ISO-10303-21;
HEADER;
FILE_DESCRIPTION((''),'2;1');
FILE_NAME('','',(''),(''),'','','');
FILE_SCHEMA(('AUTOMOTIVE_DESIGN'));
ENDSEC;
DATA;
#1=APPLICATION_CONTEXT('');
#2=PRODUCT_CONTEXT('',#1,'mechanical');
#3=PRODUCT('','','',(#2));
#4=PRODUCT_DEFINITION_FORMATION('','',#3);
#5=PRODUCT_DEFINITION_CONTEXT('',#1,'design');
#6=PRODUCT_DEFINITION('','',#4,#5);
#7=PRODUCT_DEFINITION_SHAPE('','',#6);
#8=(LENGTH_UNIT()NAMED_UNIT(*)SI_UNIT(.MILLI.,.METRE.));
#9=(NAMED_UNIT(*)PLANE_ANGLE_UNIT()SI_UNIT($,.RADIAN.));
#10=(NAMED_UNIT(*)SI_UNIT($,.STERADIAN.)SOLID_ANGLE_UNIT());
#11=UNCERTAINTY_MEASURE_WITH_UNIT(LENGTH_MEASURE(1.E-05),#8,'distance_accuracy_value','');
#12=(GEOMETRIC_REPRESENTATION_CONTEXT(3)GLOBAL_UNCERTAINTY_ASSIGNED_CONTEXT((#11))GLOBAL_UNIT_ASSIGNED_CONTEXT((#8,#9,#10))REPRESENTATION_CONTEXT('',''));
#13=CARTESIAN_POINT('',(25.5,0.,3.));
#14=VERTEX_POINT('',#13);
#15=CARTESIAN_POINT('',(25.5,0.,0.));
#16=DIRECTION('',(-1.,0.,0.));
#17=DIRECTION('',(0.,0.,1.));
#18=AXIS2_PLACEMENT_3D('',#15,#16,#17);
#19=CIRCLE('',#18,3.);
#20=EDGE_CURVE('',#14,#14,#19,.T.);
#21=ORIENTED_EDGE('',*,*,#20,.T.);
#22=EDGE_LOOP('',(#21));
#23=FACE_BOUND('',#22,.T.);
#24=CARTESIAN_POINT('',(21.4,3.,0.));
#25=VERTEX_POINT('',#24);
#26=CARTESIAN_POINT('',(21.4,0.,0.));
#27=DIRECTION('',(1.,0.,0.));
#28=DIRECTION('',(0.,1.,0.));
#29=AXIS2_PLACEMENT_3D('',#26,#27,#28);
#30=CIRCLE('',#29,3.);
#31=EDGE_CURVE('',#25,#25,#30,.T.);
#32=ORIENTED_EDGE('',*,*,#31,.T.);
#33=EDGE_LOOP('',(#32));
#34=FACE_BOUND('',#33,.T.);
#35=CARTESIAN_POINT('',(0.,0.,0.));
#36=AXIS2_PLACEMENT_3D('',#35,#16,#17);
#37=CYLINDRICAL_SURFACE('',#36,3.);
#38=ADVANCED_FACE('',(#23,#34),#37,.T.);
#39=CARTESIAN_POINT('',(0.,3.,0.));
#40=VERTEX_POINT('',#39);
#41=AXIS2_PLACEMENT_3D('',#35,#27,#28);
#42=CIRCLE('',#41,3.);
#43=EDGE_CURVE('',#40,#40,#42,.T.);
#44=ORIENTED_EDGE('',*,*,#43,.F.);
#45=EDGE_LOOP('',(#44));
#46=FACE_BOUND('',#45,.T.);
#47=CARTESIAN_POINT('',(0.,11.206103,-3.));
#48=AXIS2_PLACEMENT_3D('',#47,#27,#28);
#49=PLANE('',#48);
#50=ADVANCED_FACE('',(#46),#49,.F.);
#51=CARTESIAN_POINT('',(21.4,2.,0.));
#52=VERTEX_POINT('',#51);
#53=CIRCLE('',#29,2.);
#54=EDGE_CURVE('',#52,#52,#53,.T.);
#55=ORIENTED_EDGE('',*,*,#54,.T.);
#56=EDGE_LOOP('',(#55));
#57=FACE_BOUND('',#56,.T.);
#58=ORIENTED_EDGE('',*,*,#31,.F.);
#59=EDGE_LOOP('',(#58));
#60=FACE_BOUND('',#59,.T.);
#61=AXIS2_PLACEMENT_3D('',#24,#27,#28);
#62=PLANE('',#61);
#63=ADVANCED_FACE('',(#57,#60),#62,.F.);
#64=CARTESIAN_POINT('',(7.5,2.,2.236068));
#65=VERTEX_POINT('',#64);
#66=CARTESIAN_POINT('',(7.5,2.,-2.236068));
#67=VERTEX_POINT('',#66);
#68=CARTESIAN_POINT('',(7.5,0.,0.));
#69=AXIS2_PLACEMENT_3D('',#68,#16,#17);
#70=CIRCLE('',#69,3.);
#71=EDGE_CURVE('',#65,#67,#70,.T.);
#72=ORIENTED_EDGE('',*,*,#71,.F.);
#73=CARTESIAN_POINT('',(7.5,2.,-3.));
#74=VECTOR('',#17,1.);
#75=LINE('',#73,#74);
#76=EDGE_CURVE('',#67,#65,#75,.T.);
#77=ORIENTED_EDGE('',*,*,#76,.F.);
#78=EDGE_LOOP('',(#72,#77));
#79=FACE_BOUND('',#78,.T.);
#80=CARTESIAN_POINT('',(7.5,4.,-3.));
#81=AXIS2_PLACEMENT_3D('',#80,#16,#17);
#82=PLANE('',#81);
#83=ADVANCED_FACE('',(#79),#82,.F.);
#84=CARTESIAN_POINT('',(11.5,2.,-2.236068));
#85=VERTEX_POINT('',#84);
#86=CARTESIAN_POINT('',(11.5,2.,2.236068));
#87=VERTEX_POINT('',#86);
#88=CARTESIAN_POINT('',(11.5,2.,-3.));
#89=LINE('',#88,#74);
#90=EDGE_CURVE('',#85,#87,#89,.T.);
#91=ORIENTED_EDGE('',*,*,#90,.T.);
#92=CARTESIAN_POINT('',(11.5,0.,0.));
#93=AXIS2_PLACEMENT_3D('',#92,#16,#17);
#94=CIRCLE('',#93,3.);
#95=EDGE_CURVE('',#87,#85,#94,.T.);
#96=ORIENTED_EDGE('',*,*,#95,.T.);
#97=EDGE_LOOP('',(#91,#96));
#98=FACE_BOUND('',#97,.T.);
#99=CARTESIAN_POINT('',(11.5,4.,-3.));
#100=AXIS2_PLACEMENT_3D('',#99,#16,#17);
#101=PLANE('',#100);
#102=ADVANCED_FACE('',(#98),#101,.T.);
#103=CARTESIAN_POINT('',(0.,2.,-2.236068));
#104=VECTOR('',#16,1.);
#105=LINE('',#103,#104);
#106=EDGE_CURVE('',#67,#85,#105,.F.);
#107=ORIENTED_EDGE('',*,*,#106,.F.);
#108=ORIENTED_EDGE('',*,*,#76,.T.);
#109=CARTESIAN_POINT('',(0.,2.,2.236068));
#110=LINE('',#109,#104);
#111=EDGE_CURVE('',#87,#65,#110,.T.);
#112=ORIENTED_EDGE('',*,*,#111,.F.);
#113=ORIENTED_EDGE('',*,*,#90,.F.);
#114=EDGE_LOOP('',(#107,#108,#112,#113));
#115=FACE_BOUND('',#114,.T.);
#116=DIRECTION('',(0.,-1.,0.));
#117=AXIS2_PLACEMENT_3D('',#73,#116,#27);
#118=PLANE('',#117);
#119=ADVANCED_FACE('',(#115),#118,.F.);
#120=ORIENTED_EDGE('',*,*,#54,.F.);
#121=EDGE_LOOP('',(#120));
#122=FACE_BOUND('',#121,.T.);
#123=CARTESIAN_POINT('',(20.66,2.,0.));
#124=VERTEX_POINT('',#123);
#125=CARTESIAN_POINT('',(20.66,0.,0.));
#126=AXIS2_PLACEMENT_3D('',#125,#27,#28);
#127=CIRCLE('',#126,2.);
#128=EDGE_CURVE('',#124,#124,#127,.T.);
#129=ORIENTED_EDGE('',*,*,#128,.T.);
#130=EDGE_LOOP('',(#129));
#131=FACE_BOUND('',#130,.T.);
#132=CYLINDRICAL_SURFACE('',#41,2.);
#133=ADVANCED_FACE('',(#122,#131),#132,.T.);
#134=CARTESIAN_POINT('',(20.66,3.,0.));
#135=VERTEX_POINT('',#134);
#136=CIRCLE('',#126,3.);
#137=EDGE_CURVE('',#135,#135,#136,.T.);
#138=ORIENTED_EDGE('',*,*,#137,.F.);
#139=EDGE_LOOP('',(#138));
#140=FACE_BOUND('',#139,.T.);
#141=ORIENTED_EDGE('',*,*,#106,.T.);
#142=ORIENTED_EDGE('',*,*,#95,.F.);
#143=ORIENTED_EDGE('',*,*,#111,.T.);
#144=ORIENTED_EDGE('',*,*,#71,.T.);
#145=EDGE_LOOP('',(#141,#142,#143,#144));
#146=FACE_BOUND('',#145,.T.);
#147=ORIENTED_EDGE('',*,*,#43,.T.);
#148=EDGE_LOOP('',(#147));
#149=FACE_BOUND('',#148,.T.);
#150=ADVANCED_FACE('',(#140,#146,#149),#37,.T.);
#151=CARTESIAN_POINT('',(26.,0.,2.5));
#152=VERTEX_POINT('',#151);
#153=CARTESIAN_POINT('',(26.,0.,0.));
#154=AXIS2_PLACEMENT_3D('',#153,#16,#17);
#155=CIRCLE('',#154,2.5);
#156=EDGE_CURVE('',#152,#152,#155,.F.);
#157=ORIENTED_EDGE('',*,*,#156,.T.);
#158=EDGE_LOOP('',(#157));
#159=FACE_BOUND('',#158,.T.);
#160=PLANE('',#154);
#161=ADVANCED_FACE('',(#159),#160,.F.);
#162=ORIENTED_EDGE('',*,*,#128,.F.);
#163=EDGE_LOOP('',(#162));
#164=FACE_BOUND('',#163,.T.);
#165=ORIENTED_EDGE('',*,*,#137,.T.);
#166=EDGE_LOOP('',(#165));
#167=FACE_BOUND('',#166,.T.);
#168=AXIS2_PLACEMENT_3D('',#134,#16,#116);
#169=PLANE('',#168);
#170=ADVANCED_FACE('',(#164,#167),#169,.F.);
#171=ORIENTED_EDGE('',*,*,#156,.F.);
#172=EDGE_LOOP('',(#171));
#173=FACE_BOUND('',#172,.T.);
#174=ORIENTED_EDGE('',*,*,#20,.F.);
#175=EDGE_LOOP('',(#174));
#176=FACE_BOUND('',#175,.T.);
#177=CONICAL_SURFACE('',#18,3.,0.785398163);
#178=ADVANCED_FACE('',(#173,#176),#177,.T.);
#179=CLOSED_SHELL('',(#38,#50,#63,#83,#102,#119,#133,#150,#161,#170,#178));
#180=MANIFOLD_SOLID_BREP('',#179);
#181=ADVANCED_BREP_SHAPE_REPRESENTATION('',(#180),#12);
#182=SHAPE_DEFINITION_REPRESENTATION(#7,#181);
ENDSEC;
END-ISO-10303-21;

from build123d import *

# Parameters (mm, degrees)
ESQUISSE1_W                  = 52
ESQUISSE1_H                  = 3
CHANFREIN1_SIZE              = 0.5
ENL_V_MAT_EXTRU_1_DEPTH      = 27.343879745
ENL_V_MAT_EXTRU_1_DEPTH_BACK = 27.343879745
ESQUISSE2_W                  = 4
ESQUISSE2_H                  = 2
ESQUISSE3_W                  = 0.74
ESQUISSE3_H                  = 1
BOSS_EXTRU_1_START           = 15
ESQUISSE4_R                  = 3
BOSS_EXTRU_1_DEPTH           = 15
ENL_V_MAT_EXTRU_2_DEPTH      = 42.218927691
ENL_V_MAT_EXTRU_2_DEPTH_BACK = 42.218927691
ESQUISSE5_W                  = 12
ESQUISSE5_H                  = 1
ENL_V_MAT_EXTRU_3_DEPTH      = 42.218927691
ENL_V_MAT_EXTRU_3_DEPTH_BACK = 42.218927691
ESQUISSE6_W                  = 50.211323454
ESQUISSE6_H                  = 20.21753951


with BuildPart() as part:
    # Esquisse1 → Révolution1 (revolve)
    with BuildSketch(Plane.XY, mode=Mode.PRIVATE) as r_volution1_sk:
        with Locations((0, 1.5)):
            Rectangle(ESQUISSE1_W, ESQUISSE1_H)
    revolve(r_volution1_sk.sketch.rotate(Axis((0, 0, 0), (1, 0, 0)), 90), axis=Axis((0, 0, 0), (1, 0, 0)))

    # Chanfrein1
    chanfrein1_edges = [part.edges().sort_by_distance(p)[0] for p in [
        (26, 0, -3),
    ]]
    chamfer(chanfrein1_edges, length=CHANFREIN1_SIZE)

    # Esquisse2 → Enlèv. mat.-Extru.1 (cut, two sides: drawn at the far end of the back side and taken through both)
    with BuildSketch(Plane.XY.offset(-ENL_V_MAT_EXTRU_1_DEPTH_BACK)):
        with Locations((9.5, 3)):
            Rectangle(ESQUISSE2_W, ESQUISSE2_H)
    extrude(amount=ENL_V_MAT_EXTRU_1_DEPTH + ENL_V_MAT_EXTRU_1_DEPTH_BACK, mode=Mode.SUBTRACT)

    # Esquisse3 → Enlèvement de matière-Révolution1 (revolve, cut)
    with BuildSketch(Plane.XY):
        with Locations((-21.03, 2.5)):
            Rectangle(ESQUISSE3_W, ESQUISSE3_H)
        with Locations((21.03, 2.5)):
            Rectangle(ESQUISSE3_W, ESQUISSE3_H)
    revolve(axis=Axis((0, 0, 0), (-1, 0, 0)), mode=Mode.SUBTRACT)

    # Esquisse4 → Boss.-Extru.1 (add)
    with BuildSketch(Plane.ZY.offset(26).offset(BOSS_EXTRU_1_START)):
        with Locations(Location((0, 0, 0), (0, 0, 90))):
            Circle(ESQUISSE4_R)
    extrude(amount=-BOSS_EXTRU_1_DEPTH)

    # Esquisse5 → Enlèv. mat.-Extru.2 (cut, two sides: drawn at the far end of the back side and taken through both)
    with BuildSketch(Plane.XY.offset(-ENL_V_MAT_EXTRU_2_DEPTH_BACK)):
        with Locations((-35, 2.5)):
            Rectangle(ESQUISSE5_W, ESQUISSE5_H)
    extrude(amount=ENL_V_MAT_EXTRU_2_DEPTH + ENL_V_MAT_EXTRU_2_DEPTH_BACK, mode=Mode.SUBTRACT)

    # Esquisse6 → Enlèv. mat.-Extru.3 (cut, two sides: drawn at the far end of the back side and taken through both)
    with BuildSketch(Plane.XY.offset(-ENL_V_MAT_EXTRU_3_DEPTH_BACK)):
        with Locations((-25.105661727, 1.097333559)):
            Rectangle(ESQUISSE6_W, ESQUISSE6_H)
    extrude(amount=ENL_V_MAT_EXTRU_3_DEPTH + ENL_V_MAT_EXTRU_3_DEPTH_BACK, mode=Mode.SUBTRACT)


solid = part.part
